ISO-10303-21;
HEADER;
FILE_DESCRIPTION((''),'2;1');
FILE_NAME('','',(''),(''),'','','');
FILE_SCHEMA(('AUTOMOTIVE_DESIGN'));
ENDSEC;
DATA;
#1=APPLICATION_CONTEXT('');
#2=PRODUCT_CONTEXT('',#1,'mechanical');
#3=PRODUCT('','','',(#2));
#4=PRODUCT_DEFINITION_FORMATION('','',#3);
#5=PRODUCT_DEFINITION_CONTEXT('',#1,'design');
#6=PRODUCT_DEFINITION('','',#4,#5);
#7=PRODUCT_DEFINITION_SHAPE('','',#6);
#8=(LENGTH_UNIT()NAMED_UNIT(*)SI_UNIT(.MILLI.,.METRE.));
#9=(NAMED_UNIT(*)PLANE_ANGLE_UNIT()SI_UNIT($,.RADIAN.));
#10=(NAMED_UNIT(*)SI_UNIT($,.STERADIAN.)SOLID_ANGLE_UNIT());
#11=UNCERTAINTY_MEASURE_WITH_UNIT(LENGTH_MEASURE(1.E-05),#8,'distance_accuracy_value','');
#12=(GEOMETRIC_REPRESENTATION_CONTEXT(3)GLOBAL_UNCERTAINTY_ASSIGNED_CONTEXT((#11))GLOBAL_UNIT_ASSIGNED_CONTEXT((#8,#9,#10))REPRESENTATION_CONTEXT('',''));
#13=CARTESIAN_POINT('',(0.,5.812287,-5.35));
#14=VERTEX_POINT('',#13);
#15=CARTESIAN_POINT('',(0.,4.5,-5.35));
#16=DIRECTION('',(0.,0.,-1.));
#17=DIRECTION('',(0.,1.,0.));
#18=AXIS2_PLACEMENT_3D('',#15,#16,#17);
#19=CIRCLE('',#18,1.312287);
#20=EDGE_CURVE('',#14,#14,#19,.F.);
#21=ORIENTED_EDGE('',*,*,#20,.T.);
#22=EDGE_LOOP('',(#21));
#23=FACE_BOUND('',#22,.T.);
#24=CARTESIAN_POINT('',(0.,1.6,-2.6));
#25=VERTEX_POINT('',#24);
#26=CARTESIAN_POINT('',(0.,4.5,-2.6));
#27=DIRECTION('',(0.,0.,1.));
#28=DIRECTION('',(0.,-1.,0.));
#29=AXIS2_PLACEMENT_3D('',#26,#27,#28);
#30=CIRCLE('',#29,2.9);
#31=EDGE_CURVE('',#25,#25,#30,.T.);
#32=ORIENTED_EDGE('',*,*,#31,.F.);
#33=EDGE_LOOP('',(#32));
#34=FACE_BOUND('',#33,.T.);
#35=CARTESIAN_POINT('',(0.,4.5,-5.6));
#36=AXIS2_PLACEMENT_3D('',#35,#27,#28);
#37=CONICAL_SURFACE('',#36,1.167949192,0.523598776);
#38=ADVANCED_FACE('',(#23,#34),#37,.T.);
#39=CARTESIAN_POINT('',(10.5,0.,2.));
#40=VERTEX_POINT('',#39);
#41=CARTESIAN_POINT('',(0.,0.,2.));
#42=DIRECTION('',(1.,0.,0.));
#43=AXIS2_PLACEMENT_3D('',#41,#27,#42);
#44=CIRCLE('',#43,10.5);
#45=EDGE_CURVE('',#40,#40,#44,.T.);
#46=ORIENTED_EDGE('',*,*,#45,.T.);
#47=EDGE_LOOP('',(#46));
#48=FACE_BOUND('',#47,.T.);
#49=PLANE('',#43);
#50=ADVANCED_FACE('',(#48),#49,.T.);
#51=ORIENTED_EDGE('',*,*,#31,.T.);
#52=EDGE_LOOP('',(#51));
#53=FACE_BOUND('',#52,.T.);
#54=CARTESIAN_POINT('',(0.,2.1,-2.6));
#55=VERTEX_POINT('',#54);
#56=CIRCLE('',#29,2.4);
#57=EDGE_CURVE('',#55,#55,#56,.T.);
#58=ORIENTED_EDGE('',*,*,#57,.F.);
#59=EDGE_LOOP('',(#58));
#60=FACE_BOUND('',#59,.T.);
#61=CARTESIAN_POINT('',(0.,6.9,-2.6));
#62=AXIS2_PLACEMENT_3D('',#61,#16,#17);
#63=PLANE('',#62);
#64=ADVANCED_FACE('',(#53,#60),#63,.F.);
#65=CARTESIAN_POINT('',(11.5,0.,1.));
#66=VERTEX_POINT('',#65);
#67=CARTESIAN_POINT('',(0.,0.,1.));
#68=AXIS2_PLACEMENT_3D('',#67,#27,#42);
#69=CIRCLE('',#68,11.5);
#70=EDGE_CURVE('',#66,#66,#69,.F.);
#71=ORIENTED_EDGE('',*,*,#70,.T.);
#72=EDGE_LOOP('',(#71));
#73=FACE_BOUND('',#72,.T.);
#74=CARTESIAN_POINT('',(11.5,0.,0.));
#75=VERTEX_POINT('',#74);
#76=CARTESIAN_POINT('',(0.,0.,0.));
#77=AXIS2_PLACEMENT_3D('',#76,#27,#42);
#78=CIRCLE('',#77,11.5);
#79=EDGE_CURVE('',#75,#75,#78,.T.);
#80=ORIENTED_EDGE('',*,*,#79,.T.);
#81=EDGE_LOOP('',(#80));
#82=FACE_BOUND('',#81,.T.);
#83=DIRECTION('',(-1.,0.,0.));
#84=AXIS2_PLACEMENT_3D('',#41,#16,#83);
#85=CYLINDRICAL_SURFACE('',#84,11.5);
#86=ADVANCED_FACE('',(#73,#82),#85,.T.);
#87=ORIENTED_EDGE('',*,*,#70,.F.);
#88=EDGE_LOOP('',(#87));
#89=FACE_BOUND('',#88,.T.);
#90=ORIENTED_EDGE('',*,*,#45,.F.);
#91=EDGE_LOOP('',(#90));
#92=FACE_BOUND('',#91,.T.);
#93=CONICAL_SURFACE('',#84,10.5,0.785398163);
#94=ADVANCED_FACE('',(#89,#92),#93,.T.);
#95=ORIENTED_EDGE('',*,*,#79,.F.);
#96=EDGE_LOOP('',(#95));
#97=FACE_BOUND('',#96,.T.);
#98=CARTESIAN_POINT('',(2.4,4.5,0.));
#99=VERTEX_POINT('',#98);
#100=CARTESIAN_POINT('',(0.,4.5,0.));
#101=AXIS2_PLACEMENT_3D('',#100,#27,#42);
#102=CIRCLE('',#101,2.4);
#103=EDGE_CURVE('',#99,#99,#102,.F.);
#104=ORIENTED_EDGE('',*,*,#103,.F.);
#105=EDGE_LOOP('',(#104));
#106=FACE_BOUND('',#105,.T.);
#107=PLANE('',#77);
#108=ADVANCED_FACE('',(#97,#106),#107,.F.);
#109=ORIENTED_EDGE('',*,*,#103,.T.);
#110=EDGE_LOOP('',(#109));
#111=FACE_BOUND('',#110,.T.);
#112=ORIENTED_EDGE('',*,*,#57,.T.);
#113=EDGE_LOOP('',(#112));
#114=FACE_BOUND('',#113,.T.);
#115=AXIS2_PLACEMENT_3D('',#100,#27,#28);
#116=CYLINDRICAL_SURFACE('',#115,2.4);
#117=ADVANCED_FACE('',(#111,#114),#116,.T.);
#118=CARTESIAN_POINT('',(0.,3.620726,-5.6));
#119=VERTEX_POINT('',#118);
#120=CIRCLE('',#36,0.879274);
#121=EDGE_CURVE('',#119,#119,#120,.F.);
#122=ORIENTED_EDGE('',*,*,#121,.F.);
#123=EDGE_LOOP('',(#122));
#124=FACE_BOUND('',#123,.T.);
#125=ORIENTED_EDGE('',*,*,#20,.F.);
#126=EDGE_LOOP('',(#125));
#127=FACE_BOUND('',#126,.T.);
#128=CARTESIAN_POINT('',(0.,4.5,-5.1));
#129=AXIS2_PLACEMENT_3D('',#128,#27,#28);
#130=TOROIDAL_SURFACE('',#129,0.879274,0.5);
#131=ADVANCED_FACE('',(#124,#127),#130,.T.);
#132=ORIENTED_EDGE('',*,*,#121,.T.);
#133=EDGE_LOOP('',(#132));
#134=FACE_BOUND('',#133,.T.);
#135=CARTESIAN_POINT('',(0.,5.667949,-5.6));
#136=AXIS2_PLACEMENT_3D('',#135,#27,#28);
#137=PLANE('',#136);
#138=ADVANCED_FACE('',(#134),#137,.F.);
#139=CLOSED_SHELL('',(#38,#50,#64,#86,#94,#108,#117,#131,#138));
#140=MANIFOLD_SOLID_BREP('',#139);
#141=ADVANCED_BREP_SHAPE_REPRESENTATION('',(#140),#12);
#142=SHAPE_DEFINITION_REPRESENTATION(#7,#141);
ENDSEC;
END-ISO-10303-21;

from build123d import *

# Parameters (mm, degrees)
SKETCH1_R           = 11.5
BOSS_EXTRUDE1_DEPTH = 2
CHAMFER1_SIZE       = 1
FILLET2_R           = 0.5


with BuildPart() as part:
    # Sketch1 → Boss-Extrude1 (new body)
    with BuildSketch(Plane.XY):
        Circle(SKETCH1_R)
    extrude(amount=BOSS_EXTRUDE1_DEPTH)

    # Sketch3 → Revolve1 (revolve)
    with BuildSketch(Plane(origin=(0, 0, 0), x_dir=(0, 0, -1), z_dir=(1, 0, 0)), mode=Mode.PRIVATE) as revolve1_sk:
        Polygon((0, 4.5), (0, 6.9), (2.6, 6.9), (2.6, 7.4), (5.6, 5.667949192), (5.6, 4.5), align=None)
    revolve(revolve1_sk.sketch.rotate(Axis((0, 4.5, 0), (0, 0, -1)), 180), axis=Axis((0, 4.5, 0), (0, 0, -1)))

    # Chamfer1
    chamfer1_edges = [part.edges().sort_by_distance(p)[0] for p in [
        (-11.5, 0, 2),
    ]]
    chamfer(chamfer1_edges, length=CHAMFER1_SIZE)

    # Fillet2
    fillet2_edges = [part.edges().sort_by_distance(p)[0] for p in [
        (0, 5.667949192, -5.6),
    ]]
    fillet(fillet2_edges, radius=FILLET2_R)


solid = part.part
